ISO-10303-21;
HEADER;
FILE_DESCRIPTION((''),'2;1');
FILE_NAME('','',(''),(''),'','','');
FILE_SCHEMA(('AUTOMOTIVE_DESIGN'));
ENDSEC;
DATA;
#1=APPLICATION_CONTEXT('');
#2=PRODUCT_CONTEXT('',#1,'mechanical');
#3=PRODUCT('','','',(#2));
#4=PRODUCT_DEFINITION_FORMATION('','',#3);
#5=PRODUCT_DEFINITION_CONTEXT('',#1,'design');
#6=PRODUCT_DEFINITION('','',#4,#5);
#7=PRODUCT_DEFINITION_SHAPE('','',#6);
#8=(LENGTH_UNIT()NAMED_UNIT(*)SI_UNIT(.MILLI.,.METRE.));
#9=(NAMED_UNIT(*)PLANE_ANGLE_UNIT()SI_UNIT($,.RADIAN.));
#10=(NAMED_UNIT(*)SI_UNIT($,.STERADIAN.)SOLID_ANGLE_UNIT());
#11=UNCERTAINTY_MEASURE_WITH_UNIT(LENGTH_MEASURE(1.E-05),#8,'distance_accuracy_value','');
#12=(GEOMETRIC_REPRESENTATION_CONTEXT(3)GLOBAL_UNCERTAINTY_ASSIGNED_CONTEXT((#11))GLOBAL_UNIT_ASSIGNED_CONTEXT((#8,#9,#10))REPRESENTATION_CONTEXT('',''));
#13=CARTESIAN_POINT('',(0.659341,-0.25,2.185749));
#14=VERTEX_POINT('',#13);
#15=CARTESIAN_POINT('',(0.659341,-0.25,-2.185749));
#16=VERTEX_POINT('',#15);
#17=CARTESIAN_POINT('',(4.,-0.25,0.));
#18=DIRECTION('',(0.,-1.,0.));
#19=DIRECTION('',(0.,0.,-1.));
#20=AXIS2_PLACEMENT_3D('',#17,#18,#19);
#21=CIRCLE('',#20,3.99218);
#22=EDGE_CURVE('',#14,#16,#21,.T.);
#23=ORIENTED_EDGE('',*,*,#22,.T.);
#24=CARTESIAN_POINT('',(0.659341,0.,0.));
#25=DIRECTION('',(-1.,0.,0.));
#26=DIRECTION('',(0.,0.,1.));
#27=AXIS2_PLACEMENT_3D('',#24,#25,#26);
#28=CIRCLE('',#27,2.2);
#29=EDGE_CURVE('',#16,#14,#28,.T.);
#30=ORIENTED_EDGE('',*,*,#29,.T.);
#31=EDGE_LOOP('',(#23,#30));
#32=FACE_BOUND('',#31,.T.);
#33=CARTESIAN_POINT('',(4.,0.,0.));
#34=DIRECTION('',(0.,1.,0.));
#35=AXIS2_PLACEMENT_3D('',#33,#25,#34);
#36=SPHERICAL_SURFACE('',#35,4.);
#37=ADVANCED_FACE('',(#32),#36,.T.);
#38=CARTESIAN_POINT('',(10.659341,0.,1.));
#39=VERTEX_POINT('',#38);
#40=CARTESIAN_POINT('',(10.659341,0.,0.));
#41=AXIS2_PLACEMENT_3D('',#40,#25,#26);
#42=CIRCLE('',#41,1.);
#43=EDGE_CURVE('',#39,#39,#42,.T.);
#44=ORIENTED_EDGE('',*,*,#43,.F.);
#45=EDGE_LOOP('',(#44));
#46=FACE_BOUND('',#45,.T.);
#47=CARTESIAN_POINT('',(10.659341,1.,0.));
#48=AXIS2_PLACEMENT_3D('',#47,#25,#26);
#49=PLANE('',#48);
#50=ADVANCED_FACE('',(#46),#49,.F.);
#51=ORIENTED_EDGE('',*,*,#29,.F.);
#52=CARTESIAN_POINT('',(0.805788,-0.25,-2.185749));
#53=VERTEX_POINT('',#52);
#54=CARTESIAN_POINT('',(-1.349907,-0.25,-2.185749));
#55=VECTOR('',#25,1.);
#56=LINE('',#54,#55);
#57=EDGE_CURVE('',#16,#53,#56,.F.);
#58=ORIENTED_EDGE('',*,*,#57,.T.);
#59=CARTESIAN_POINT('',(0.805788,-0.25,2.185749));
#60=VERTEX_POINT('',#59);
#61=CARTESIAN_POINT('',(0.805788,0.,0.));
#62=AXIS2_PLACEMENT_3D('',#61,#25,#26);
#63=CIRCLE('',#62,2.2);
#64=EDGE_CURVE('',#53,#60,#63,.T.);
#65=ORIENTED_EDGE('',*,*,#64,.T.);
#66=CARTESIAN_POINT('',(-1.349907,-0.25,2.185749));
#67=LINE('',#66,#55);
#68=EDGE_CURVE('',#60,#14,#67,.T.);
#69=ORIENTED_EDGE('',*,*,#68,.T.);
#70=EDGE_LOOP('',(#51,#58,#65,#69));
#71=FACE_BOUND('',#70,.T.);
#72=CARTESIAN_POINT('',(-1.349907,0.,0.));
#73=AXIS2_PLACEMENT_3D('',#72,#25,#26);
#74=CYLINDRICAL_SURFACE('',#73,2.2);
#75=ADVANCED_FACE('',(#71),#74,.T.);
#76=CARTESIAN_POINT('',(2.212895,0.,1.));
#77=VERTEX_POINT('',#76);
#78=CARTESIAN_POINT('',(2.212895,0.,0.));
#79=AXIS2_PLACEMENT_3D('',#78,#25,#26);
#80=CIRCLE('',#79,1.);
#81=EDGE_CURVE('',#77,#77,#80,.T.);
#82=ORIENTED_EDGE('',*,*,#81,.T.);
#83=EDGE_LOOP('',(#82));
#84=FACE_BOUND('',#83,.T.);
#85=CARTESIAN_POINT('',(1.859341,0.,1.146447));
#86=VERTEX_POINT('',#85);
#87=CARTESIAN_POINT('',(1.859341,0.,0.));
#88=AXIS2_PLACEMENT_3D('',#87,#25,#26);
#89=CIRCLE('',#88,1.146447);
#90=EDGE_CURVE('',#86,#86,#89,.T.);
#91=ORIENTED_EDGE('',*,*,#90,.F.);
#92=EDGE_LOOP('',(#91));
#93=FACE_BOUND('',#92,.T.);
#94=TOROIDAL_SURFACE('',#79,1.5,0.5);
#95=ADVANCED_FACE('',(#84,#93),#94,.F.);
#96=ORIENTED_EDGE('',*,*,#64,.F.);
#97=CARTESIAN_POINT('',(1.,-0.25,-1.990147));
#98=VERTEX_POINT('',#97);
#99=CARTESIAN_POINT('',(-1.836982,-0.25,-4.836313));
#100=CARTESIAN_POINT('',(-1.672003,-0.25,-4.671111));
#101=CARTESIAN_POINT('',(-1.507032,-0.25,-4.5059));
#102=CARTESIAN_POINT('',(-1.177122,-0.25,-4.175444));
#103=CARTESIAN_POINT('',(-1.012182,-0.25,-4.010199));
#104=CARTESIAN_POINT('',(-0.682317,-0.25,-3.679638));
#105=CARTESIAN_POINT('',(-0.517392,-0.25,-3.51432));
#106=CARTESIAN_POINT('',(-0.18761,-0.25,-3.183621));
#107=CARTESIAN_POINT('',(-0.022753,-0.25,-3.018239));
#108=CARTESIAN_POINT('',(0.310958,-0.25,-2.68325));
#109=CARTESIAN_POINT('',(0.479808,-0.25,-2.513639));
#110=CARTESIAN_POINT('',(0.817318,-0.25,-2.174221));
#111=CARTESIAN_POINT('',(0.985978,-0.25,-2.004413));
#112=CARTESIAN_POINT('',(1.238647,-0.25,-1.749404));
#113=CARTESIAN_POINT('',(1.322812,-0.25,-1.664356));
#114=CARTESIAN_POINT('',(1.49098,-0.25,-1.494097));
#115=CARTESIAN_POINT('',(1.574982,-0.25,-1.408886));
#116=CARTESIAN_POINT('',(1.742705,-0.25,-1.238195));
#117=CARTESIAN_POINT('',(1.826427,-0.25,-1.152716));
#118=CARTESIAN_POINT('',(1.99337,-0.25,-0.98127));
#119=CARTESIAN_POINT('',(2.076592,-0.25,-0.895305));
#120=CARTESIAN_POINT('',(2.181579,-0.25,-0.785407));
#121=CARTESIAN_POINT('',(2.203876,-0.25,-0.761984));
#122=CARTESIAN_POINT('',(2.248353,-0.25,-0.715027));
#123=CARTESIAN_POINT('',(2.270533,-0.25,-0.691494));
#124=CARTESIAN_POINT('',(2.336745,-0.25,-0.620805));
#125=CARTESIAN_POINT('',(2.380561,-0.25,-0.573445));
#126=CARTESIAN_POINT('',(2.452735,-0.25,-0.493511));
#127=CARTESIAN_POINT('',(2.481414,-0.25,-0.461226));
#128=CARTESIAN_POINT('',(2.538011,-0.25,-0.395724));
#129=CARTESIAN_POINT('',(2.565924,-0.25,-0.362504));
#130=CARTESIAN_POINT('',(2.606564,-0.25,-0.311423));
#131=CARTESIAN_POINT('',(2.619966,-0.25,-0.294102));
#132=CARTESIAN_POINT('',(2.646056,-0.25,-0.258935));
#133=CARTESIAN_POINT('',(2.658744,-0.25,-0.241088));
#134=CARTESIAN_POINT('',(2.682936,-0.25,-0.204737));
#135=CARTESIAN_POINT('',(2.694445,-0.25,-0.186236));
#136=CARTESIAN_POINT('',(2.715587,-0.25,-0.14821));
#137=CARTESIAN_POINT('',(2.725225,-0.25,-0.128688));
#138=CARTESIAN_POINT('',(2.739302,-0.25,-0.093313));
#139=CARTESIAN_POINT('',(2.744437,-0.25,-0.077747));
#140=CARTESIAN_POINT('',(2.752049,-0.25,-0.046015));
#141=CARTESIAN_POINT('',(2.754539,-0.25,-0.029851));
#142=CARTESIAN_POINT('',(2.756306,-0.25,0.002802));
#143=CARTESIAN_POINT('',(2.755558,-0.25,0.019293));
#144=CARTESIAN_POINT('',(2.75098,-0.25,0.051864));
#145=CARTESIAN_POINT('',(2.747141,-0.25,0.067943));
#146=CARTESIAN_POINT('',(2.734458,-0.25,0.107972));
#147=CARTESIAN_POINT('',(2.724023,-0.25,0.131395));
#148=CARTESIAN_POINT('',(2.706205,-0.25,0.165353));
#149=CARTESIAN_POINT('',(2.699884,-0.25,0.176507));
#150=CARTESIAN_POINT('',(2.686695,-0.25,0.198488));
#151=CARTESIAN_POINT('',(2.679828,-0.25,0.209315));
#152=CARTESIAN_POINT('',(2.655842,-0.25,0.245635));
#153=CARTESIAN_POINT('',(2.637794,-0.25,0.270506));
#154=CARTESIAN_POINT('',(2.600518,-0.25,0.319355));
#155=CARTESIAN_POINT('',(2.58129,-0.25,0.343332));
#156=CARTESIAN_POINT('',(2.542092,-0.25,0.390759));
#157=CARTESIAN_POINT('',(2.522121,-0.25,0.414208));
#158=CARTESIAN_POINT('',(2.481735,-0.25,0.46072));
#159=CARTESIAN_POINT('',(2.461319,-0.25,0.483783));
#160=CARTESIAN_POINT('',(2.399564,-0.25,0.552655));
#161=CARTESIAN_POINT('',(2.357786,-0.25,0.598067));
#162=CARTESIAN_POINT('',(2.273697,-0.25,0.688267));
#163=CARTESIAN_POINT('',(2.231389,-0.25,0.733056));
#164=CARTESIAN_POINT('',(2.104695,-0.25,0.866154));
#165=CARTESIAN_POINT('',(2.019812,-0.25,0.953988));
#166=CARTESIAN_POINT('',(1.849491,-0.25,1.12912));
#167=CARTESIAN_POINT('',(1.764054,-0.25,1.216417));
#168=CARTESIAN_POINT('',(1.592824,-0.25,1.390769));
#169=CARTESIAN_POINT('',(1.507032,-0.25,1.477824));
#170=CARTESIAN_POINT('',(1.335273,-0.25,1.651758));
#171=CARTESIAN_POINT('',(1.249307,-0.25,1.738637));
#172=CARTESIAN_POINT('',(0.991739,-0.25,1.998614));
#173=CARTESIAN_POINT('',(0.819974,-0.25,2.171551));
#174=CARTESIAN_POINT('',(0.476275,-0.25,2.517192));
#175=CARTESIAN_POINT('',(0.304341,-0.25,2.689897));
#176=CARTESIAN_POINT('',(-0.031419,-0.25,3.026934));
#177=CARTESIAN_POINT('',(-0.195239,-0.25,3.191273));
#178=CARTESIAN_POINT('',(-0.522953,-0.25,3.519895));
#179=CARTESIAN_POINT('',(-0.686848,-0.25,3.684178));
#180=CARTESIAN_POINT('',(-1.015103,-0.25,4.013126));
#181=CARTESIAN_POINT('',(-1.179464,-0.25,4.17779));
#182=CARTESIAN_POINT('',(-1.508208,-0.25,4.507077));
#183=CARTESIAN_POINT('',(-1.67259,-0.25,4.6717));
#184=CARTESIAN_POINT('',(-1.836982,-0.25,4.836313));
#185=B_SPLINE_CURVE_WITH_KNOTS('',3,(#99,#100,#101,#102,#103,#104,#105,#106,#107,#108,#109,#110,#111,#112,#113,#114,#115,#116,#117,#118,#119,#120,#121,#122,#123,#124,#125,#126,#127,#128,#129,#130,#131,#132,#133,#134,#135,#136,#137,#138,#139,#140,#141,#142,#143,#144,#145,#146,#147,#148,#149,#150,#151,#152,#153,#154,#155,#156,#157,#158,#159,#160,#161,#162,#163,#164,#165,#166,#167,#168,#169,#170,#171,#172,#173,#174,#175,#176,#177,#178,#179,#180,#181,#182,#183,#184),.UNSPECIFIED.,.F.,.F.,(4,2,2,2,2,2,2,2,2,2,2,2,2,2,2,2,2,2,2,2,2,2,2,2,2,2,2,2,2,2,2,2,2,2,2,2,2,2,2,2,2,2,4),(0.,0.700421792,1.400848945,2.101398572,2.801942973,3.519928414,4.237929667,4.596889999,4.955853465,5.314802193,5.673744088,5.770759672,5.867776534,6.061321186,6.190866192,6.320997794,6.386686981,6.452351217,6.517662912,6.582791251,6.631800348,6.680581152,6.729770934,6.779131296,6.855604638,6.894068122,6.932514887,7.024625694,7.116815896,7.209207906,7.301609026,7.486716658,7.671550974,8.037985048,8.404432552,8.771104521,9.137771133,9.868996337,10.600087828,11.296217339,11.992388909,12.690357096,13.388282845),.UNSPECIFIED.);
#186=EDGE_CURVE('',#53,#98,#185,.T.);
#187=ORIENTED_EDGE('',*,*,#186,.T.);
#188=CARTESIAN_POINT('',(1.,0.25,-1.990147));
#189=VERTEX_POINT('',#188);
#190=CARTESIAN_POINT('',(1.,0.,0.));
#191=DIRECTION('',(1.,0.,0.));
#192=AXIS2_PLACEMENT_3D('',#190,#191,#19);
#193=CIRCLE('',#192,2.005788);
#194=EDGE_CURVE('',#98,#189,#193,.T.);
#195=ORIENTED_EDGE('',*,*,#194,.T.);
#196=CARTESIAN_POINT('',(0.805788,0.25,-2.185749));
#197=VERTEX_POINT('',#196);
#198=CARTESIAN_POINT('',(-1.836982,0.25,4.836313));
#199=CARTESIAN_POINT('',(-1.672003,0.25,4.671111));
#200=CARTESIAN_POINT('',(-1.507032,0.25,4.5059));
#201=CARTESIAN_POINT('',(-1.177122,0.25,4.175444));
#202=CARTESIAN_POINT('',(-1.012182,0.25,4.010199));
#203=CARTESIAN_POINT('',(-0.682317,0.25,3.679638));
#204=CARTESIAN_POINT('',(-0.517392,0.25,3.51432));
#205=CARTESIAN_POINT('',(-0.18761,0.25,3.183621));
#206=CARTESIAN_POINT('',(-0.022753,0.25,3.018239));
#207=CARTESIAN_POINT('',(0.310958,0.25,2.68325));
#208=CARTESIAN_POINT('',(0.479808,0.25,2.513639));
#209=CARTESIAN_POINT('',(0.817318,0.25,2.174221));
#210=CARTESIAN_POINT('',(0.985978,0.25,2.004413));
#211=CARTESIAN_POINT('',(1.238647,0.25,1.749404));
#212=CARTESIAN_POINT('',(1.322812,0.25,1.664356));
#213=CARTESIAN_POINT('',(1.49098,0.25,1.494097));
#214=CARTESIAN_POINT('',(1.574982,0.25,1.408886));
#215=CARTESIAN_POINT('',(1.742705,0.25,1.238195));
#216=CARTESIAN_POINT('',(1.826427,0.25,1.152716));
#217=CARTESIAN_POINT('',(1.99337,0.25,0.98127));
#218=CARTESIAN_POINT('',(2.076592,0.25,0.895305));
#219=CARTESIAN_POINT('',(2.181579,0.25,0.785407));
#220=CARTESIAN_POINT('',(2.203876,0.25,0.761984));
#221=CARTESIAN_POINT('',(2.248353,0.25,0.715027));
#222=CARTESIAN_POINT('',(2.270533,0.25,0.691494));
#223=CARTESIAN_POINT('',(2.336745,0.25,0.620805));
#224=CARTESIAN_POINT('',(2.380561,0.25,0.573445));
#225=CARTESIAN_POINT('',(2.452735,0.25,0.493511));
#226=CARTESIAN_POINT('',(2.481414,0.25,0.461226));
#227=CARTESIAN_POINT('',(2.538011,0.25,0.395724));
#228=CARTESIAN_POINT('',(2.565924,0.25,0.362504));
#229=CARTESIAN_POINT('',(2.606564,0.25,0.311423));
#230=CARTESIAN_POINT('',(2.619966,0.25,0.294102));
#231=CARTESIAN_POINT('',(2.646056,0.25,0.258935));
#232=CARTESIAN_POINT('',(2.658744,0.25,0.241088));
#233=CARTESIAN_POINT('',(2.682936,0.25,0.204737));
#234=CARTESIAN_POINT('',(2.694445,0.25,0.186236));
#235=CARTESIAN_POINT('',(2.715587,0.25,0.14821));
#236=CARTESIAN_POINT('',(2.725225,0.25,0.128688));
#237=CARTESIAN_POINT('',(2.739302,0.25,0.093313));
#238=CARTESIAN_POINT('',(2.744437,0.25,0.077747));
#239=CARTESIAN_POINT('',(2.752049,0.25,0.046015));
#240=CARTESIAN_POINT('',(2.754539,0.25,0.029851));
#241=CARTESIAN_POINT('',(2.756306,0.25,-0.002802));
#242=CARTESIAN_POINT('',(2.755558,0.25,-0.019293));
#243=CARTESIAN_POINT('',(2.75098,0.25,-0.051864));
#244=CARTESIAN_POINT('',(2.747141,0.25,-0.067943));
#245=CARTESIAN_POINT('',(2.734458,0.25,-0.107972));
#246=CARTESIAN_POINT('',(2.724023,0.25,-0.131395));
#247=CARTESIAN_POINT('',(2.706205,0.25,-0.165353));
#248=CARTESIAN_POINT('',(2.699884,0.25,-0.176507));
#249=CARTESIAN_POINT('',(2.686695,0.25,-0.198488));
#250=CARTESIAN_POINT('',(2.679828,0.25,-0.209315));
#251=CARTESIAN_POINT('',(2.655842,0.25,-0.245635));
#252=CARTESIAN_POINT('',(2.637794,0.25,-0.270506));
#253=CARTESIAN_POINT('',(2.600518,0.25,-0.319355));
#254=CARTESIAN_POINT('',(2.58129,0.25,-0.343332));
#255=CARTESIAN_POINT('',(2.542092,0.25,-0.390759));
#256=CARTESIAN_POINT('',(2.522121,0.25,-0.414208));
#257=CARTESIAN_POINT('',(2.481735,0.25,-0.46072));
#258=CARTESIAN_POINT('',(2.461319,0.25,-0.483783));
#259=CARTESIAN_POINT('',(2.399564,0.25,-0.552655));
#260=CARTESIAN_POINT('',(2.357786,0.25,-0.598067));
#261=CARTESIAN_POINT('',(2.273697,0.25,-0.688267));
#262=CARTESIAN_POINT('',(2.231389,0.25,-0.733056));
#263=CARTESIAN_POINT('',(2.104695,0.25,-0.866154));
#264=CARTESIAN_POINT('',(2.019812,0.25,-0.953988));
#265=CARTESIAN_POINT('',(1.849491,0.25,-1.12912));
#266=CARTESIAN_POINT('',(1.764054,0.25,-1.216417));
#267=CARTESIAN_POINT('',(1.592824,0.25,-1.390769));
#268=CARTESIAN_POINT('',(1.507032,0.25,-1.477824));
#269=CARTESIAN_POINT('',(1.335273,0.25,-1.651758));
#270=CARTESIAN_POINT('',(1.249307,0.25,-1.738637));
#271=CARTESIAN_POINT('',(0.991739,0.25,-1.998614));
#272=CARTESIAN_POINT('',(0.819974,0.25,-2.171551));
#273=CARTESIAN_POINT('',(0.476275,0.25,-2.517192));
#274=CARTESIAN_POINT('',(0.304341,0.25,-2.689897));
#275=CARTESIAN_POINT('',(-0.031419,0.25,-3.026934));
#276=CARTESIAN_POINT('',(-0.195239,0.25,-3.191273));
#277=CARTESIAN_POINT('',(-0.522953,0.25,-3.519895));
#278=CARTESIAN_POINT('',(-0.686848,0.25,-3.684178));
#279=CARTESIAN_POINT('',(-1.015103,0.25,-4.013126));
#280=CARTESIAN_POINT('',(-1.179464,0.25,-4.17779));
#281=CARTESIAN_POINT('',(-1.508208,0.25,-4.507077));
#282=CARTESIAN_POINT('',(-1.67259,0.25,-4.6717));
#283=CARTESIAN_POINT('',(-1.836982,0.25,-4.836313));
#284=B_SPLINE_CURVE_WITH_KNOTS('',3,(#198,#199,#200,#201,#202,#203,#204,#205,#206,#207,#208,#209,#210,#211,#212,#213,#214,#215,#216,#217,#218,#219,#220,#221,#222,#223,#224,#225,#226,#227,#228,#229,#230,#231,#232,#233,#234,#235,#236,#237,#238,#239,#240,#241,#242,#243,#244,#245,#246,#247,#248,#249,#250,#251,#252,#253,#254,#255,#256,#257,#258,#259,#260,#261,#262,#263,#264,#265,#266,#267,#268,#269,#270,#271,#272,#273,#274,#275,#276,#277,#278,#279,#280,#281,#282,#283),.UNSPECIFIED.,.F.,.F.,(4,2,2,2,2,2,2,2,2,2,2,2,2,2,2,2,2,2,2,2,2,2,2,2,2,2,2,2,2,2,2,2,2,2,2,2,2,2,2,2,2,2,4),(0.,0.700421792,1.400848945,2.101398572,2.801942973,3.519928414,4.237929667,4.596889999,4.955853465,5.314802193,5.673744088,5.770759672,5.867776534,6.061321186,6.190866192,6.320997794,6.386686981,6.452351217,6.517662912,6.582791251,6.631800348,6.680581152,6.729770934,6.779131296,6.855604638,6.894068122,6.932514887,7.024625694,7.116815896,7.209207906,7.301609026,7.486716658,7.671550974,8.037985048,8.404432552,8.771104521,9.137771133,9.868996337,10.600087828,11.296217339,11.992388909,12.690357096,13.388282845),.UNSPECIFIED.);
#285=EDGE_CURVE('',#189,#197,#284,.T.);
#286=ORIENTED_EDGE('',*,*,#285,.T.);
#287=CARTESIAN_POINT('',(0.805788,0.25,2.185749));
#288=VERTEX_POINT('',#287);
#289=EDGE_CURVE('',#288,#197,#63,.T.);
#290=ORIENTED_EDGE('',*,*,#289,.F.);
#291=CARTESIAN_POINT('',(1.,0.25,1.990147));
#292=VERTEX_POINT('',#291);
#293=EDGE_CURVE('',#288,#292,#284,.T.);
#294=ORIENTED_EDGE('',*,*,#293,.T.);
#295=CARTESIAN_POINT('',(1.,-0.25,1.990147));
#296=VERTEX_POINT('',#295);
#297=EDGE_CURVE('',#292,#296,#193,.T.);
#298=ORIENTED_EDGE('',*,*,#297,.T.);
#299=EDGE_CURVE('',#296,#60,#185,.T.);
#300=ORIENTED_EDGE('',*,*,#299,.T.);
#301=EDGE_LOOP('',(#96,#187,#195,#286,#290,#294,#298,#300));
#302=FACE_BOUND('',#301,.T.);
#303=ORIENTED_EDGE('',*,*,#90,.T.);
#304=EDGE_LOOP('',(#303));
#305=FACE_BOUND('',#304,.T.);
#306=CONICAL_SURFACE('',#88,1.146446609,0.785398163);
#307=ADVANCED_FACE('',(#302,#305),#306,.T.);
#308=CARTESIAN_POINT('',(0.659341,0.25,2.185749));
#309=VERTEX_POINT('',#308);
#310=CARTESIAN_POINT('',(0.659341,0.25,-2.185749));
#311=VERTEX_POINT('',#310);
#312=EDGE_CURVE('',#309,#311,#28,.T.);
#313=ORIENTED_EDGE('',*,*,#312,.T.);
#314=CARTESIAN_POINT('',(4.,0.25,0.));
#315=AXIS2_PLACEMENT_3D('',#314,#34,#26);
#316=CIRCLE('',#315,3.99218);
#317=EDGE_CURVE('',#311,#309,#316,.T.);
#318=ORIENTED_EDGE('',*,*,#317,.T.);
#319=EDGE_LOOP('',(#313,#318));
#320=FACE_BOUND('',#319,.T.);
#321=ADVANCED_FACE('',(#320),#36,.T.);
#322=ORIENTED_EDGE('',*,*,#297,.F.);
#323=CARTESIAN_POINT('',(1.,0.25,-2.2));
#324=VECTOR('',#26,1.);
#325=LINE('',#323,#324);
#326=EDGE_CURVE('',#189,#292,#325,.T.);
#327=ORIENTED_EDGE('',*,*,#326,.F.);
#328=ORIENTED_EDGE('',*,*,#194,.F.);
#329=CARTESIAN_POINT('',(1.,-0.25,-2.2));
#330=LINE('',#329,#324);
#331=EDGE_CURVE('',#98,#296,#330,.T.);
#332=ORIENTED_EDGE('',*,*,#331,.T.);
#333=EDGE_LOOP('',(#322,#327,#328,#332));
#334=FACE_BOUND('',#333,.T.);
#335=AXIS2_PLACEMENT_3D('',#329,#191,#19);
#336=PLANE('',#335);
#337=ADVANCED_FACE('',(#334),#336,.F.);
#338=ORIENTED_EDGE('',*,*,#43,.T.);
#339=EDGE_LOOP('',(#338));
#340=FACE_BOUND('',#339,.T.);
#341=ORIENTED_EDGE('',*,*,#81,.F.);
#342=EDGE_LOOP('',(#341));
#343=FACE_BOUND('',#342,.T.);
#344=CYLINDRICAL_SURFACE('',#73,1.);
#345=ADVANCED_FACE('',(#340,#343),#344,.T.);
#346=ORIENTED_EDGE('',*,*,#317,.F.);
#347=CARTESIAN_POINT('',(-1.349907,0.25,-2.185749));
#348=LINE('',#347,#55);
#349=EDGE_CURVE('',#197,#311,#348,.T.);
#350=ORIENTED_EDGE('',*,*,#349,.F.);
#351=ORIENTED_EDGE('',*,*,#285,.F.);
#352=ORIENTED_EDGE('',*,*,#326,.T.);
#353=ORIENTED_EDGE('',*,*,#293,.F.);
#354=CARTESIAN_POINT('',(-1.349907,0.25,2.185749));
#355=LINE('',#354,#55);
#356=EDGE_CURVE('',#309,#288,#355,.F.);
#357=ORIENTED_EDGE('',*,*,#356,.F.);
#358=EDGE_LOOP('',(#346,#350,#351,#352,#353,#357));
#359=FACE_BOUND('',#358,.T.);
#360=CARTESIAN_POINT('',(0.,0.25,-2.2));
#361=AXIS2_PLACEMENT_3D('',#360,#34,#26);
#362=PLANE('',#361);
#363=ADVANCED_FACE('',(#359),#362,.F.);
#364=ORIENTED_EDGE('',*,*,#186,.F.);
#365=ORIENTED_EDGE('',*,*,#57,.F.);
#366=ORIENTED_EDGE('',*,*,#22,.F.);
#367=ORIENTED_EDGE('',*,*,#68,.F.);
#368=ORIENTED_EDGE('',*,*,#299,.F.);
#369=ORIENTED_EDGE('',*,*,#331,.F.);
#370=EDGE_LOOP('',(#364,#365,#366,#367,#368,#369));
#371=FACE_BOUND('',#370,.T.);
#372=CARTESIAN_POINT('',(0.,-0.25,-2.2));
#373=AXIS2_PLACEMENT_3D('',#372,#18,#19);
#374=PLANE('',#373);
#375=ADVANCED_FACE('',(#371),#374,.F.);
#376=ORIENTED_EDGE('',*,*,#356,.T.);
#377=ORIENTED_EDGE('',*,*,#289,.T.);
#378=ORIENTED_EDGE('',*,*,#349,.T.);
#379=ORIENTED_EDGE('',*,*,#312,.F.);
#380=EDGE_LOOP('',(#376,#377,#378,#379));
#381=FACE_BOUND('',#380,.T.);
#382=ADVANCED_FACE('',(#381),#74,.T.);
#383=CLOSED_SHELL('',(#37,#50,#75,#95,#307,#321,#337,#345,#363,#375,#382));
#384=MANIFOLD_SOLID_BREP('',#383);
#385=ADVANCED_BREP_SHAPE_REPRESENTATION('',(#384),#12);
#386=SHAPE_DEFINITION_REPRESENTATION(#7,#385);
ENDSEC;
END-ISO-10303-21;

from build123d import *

# Parameters (mm, degrees)
SLOT_DEPTH      = 12.1041235
SLOT_DEPTH_BACK = 12.1041235
SKE_SLOT_W      = 1
SKE_SLOT_H      = 0.5


with BuildPart() as part:
    # Ske-Screw → Base (revolve)
    with BuildSketch(Plane.XY, mode=Mode.PRIVATE) as base_sk:
        with BuildLine():
            Line((0.659341382, 2.2), (0.805787992, 2.2))
            Line((0.805787992, 2.2), (1.859341382, 1.146446609))
            ThreePointArc((1.859341382, 1.146446609), (2.021553057, 1.038060234), (2.212894773, 1))
            Line((2.212894773, 1), (10.659341382, 1))
            Line((10.659341382, 1), (10.659341382, 0))
            Line((10.659341382, 0), (0.659341382, 0))
            Line((0.659341382, 0), (0, 0))
            ThreePointArc((0, 0), (0.168379294, 1.148339133), (0.659341382, 2.2))
        make_face()
    revolve(base_sk.sketch.rotate(Axis((-1.349906986, 0, 0), (1, 0, 0)), 90), axis=Axis((-1.349906986, 0, 0), (1, 0, 0)))

    # Ske-Slot → Slot (cut, two sides: drawn at the far end of the back side and taken through both)
    with BuildSketch(Plane.XY.offset(-SLOT_DEPTH_BACK)):
        with Locations((0.5, 0)):
            Rectangle(SKE_SLOT_W, SKE_SLOT_H)
    extrude(amount=SLOT_DEPTH + SLOT_DEPTH_BACK, mode=Mode.SUBTRACT)


solid = part.part
